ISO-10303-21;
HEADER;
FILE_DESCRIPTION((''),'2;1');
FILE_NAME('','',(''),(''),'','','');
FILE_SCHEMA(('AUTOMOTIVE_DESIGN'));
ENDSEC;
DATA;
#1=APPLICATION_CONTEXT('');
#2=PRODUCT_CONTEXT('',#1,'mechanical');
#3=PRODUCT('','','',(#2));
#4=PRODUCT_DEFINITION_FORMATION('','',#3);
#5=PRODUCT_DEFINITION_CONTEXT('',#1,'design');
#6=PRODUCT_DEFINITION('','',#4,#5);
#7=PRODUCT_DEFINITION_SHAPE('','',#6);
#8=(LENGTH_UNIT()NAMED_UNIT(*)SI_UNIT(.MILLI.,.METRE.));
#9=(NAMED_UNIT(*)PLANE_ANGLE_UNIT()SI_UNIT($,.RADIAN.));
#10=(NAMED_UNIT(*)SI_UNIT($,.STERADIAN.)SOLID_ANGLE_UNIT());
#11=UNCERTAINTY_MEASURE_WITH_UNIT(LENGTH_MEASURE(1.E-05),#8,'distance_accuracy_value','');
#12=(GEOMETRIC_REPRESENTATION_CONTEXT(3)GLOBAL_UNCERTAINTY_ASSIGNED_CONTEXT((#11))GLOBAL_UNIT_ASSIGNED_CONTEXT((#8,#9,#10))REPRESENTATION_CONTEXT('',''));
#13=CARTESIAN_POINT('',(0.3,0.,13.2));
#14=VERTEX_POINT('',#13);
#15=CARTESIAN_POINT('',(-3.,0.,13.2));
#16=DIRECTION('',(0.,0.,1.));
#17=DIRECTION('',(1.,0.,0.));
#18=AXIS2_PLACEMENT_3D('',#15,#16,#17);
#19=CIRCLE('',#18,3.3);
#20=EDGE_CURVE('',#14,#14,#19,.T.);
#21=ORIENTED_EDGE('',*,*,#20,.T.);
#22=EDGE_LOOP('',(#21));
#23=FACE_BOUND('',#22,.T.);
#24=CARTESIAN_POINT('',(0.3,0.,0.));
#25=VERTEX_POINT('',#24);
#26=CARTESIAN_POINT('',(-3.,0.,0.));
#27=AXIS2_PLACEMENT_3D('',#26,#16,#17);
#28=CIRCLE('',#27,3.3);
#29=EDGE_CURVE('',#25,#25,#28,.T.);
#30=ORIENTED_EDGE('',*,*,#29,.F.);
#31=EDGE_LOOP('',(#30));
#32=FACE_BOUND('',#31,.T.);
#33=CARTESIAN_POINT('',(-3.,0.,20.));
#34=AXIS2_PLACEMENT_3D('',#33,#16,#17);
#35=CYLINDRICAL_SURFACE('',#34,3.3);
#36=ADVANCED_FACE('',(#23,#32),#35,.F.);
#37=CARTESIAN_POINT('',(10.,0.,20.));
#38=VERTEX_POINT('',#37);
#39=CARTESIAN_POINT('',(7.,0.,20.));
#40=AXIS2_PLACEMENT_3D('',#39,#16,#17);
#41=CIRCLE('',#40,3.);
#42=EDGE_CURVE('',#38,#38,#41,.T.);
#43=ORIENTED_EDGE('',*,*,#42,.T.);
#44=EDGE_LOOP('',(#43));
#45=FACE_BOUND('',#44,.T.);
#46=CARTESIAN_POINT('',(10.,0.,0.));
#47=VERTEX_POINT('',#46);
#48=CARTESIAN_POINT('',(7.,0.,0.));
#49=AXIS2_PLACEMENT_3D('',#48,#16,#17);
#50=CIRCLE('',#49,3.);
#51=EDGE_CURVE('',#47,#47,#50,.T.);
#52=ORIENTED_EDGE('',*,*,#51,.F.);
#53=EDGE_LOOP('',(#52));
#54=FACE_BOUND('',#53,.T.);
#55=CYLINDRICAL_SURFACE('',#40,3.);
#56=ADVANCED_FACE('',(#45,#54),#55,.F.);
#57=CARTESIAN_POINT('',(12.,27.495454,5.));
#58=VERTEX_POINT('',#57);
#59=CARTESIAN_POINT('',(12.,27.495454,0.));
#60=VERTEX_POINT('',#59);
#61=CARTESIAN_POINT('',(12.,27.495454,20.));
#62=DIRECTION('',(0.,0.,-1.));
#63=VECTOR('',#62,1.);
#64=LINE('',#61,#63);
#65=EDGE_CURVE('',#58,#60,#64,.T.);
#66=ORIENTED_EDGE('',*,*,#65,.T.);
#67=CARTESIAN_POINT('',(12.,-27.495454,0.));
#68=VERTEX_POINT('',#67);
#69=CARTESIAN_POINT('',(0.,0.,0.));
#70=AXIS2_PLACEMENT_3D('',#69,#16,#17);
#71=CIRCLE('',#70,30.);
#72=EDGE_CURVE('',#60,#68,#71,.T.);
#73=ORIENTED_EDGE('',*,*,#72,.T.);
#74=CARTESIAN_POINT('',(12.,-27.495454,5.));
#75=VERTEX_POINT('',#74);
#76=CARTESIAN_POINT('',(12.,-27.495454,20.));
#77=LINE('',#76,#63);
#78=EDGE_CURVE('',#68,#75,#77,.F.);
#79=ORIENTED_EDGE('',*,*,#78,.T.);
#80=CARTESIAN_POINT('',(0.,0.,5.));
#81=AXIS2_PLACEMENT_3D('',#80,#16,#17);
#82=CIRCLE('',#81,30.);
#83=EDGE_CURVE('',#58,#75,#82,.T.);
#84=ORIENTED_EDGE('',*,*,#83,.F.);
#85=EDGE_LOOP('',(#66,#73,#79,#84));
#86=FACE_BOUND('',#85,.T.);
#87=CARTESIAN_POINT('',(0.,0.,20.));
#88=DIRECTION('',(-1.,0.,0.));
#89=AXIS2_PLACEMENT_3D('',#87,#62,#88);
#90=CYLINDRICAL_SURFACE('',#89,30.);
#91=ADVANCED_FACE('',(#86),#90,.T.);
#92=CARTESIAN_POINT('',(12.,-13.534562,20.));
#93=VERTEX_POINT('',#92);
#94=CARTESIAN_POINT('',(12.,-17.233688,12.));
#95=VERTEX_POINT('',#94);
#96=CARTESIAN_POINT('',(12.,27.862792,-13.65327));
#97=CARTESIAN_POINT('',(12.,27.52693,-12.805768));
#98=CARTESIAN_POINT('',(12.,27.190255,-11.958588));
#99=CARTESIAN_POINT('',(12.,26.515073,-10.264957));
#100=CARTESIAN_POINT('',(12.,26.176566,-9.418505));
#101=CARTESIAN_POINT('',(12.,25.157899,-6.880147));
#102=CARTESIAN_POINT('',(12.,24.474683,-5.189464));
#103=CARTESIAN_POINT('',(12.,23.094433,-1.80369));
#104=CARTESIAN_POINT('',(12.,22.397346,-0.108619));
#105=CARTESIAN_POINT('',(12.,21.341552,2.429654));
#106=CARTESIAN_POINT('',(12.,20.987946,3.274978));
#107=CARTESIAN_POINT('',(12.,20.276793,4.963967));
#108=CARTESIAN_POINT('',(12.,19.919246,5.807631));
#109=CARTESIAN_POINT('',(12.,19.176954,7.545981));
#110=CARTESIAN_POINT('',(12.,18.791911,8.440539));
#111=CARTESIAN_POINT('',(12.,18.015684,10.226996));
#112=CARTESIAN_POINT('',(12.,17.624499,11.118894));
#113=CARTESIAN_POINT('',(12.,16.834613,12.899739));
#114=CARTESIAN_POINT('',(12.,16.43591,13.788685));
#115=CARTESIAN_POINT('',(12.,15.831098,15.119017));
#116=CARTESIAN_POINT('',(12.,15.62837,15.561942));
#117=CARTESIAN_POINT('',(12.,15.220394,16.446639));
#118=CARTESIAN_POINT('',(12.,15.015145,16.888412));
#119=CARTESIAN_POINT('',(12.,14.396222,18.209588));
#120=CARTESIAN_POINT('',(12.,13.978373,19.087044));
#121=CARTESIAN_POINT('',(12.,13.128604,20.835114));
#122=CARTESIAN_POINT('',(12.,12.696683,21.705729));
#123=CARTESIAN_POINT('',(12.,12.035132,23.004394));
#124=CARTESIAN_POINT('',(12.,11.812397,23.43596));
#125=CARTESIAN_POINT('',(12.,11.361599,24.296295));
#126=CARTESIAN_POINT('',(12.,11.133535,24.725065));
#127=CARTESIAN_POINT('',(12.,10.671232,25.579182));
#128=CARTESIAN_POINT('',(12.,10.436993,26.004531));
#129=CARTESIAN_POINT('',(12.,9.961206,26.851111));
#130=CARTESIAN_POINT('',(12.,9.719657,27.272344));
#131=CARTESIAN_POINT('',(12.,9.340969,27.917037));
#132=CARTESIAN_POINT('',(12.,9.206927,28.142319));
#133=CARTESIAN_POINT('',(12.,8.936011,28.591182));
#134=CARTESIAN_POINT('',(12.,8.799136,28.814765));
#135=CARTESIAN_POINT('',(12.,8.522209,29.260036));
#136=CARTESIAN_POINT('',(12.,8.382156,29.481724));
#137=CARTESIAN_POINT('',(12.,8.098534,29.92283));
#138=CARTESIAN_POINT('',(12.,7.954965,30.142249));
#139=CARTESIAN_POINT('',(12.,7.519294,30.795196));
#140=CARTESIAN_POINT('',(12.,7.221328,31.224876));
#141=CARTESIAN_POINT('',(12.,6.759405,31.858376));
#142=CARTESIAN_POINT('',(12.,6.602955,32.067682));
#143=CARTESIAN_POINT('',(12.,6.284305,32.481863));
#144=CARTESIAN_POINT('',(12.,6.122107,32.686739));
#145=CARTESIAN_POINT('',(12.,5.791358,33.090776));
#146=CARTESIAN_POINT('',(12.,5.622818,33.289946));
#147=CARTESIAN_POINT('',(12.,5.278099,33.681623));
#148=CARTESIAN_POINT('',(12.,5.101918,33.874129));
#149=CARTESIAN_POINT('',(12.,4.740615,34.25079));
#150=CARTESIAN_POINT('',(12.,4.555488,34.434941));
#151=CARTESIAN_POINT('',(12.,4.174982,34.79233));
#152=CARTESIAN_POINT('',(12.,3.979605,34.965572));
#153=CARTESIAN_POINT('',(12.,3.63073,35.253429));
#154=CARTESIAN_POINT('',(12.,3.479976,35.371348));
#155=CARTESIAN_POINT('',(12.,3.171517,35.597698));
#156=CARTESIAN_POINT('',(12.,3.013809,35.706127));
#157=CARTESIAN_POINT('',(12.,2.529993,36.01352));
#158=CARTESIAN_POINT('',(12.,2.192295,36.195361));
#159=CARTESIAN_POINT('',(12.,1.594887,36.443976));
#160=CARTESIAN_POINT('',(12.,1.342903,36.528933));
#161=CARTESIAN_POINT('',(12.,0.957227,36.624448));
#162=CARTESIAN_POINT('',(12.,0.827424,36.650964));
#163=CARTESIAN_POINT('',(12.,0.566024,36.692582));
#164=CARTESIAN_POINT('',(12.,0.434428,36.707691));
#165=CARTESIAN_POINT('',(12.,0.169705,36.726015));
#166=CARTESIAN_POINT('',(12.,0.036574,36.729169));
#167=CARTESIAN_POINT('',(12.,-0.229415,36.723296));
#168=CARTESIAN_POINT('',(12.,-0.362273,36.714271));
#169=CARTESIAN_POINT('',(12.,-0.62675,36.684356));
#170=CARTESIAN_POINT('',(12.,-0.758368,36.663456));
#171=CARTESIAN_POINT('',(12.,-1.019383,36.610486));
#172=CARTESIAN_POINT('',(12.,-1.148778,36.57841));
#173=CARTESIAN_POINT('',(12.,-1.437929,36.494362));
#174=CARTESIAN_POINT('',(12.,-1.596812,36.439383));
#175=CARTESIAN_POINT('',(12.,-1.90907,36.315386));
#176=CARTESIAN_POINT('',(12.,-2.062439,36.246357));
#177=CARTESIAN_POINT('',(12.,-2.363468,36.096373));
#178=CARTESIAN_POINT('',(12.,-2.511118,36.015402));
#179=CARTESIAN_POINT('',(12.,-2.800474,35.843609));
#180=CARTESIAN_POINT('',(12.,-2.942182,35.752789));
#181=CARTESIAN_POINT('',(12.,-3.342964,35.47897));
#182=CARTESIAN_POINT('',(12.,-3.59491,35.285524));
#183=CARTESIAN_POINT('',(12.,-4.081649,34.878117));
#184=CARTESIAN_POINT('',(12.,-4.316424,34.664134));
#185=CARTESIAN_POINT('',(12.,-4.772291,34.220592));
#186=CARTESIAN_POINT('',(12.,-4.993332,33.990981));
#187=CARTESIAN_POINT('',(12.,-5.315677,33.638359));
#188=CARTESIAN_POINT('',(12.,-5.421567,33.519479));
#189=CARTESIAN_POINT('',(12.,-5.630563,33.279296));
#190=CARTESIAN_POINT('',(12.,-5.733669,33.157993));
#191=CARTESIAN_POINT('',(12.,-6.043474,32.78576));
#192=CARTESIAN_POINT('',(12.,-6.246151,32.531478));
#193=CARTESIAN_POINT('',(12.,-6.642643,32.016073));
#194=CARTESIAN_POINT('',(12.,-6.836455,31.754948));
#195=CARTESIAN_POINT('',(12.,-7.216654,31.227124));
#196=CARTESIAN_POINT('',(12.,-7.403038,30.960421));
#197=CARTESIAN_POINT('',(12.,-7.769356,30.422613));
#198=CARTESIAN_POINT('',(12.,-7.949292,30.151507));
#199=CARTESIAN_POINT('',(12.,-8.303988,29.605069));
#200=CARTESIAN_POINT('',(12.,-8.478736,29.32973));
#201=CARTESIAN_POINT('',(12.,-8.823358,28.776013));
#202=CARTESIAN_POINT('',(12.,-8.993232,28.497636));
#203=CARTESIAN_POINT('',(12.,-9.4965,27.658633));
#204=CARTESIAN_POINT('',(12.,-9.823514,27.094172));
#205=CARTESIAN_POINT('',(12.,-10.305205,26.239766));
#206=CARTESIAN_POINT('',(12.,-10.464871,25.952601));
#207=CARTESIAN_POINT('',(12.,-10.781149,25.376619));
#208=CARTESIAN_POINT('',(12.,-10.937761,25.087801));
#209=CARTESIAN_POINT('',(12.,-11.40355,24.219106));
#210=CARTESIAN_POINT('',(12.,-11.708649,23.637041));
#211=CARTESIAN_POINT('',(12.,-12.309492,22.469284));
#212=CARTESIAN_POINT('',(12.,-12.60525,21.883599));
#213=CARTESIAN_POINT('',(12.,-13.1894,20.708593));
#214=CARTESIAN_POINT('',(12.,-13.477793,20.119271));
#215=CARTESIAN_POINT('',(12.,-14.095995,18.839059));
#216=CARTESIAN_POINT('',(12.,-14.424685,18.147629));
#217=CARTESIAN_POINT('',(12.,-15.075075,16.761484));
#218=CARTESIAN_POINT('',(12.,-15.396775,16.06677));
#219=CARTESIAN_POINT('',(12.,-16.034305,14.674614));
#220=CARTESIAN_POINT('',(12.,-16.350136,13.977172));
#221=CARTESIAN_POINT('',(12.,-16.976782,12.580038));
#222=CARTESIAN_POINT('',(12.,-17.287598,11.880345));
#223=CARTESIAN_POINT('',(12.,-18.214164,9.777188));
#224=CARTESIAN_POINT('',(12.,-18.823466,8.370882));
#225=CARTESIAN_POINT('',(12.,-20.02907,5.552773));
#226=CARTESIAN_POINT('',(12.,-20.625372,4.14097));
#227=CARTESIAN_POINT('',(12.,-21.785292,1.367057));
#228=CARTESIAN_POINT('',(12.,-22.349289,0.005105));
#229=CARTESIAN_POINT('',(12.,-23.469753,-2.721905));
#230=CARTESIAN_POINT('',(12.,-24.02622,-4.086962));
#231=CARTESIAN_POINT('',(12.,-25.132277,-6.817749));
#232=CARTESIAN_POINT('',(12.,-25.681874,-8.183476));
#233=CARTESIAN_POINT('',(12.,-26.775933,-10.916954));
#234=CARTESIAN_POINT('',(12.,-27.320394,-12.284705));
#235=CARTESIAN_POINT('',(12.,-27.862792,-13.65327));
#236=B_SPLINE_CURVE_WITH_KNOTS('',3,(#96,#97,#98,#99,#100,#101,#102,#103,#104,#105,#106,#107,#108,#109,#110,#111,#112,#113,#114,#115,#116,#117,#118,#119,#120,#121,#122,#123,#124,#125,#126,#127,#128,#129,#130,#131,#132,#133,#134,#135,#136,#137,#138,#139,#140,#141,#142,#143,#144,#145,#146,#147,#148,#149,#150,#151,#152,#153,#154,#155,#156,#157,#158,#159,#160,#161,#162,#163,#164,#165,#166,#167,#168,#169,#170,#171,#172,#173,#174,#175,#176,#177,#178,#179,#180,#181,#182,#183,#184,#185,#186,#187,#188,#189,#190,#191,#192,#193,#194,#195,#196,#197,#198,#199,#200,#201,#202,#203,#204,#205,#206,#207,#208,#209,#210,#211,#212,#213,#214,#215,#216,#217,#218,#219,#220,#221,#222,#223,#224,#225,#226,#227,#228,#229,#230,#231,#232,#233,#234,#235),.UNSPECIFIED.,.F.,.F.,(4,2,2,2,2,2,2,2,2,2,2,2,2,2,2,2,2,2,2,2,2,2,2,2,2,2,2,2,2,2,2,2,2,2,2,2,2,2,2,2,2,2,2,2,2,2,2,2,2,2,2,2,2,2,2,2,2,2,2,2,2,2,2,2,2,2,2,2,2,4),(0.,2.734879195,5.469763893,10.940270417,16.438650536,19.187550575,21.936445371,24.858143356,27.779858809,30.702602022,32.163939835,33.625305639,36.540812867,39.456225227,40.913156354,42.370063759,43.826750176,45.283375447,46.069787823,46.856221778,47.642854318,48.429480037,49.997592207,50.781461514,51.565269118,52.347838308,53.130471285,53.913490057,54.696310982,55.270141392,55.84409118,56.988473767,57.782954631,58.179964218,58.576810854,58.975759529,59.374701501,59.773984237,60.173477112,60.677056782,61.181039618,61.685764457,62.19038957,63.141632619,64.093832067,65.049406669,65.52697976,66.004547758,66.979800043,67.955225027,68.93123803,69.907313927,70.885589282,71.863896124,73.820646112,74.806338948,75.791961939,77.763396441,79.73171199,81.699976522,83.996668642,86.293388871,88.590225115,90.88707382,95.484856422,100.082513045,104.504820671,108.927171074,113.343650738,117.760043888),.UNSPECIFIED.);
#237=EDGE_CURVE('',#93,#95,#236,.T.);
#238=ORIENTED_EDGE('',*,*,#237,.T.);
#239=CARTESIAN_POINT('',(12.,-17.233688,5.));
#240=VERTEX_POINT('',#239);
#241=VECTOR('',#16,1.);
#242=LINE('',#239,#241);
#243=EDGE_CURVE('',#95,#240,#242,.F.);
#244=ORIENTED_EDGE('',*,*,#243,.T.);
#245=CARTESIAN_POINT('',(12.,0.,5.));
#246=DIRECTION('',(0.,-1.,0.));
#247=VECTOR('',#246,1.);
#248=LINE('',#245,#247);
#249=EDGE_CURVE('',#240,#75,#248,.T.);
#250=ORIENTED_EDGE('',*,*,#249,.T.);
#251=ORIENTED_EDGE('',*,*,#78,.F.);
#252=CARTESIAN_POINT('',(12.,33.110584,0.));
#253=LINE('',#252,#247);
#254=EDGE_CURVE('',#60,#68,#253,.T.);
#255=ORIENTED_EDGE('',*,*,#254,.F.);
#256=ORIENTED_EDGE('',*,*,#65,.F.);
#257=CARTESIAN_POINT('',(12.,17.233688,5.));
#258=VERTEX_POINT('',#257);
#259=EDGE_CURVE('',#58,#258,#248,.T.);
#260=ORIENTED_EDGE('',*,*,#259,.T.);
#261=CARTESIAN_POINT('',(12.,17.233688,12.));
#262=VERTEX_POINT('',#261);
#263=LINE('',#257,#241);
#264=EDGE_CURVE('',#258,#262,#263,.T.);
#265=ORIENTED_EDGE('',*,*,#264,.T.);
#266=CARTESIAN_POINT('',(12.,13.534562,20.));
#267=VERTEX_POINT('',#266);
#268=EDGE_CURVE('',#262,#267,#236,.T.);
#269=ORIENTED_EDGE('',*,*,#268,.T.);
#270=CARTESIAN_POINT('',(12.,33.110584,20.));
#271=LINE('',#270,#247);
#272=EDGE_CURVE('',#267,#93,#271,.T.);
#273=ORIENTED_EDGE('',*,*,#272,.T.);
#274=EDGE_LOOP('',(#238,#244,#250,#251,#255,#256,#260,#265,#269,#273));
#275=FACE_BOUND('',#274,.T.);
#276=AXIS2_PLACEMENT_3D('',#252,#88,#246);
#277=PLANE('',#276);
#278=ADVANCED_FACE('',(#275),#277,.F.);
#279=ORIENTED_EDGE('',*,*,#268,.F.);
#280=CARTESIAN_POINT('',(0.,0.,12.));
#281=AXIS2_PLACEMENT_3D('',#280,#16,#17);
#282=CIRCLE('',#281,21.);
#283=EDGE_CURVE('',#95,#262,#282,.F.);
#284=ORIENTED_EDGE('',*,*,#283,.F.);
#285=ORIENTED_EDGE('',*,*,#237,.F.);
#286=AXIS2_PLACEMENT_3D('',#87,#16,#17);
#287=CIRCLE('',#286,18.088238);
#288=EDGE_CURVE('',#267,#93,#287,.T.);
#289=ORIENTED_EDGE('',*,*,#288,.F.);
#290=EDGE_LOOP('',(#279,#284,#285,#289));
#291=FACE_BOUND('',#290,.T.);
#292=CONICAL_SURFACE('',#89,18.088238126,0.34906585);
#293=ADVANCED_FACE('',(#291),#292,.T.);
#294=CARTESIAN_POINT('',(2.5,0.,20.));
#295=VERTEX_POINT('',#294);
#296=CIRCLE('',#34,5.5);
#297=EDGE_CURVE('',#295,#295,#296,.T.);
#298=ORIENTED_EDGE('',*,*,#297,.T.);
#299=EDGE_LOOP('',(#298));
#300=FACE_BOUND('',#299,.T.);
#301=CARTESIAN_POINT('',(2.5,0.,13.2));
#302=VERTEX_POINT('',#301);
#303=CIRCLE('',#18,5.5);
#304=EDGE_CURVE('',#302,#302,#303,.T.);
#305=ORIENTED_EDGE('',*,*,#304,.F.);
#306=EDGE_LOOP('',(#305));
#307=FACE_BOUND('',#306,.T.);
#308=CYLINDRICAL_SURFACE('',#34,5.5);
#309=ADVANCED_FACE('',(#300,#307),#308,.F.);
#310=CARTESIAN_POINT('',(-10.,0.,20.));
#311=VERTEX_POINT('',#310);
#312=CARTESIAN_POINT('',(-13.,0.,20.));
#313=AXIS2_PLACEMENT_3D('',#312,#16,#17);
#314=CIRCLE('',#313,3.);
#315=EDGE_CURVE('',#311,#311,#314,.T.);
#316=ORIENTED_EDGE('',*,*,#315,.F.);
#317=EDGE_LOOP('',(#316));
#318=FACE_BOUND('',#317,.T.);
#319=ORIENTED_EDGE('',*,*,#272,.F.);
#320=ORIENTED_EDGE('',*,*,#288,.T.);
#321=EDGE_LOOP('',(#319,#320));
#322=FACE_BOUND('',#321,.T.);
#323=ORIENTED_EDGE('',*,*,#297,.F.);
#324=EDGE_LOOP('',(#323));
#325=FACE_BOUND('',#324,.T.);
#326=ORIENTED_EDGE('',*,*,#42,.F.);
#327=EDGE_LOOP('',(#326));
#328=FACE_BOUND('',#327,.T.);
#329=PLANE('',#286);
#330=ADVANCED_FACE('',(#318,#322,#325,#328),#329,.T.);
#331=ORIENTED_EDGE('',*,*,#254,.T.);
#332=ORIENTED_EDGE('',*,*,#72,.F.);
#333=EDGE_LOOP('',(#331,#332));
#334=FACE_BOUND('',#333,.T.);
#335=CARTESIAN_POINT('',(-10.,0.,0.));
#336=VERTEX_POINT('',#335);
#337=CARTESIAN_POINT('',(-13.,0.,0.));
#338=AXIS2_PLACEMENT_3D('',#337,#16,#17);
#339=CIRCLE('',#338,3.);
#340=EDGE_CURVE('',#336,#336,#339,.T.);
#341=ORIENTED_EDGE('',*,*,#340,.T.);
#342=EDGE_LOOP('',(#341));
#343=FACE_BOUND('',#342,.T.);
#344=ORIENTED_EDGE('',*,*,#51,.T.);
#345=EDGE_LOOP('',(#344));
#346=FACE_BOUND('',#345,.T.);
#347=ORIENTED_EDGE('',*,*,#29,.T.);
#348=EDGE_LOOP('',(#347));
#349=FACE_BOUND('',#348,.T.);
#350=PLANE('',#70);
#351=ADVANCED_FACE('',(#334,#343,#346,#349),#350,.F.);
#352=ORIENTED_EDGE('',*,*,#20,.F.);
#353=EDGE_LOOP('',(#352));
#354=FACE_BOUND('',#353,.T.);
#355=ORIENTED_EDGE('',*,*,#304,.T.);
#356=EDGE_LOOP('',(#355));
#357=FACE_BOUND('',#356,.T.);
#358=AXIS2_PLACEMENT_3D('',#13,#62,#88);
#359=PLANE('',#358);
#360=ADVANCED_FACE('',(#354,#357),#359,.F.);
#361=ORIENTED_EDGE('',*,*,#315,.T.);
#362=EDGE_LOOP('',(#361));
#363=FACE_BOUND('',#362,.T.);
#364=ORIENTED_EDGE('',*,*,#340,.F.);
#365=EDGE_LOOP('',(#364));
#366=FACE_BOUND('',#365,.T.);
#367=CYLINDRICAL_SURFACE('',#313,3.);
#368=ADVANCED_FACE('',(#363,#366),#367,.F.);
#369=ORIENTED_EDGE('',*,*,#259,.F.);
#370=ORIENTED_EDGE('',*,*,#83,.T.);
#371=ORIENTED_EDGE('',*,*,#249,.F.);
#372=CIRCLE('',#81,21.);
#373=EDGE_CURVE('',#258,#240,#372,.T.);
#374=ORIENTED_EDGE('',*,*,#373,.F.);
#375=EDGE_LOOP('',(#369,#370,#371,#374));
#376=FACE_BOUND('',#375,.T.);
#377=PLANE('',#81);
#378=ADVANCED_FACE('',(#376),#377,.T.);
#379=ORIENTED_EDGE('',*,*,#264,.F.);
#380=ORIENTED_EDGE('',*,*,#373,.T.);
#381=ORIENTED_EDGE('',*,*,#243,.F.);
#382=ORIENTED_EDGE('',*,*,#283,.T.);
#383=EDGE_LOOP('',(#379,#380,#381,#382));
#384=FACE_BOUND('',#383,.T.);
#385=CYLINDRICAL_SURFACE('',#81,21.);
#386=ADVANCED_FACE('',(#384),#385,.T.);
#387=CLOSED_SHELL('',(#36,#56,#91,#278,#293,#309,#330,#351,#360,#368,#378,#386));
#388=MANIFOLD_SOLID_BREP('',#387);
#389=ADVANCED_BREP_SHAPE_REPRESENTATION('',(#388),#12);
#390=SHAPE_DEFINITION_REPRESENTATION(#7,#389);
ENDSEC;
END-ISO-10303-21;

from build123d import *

# Parameters (mm, degrees)
SKETCH_1_R                = 30
EXTRUDE_1_DEPTH           = 20
MM_1_D                    = 6
MM_1_DEPTH                = 20
MM_1_TIP                  = 1.802581857
HOLE_WIZARD_1_D           = 6.6
HOLE_WIZARD_1_DEPTH       = 20
HOLE_WIZARD_1_CBORE_D     = 11
HOLE_WIZARD_1_CBORE_DEPTH = 6.8
HOLE_WIZARD_1_TIP         = 1.982840043
SKETCH_6_OUTSIDE_W        = 79.436
SKETCH_6_OUTSIDE_H        = 79.436
SKETCH_6_OUTSIDE_R        = 21
CUT_EXTRUDE_1_DEPTH       = 15
CHAMFER_1_SIZE            = 8
CHAMFER_1_SIZE2           = 2.911761874
SKETCH_7_W                = 35.972327204
SKETCH_7_H                = 68.406392716
CUT_EXTRUDE_2_DEPTH       = 47.904157598


with BuildPart() as part:
    # 草图1 → 凸台-拉伸1 (new body)
    with BuildSketch(Plane.XY):
        Circle(SKETCH_1_R)
    extrude(amount=EXTRUDE_1_DEPTH)

    # 大小mm 暗销孔1
    with Locations(Plane.XY.offset(20)):
        with Locations((-13, 0), (7, 0)):
            Hole(MM_1_D / 2, depth=MM_1_DEPTH)
            with Locations((0, 0, -(MM_1_DEPTH + MM_1_TIP / 2))):  # 118° drill point
                Cone(0, MM_1_D / 2, MM_1_TIP, mode=Mode.SUBTRACT)

    # 打孔尺寸(%根据)内六角圆柱头螺钉的类型1
    with Locations(Plane.XY.offset(20)):
        with Locations((-3, 0)):
            CounterBoreHole(HOLE_WIZARD_1_D / 2, HOLE_WIZARD_1_CBORE_D / 2, HOLE_WIZARD_1_CBORE_DEPTH, depth=HOLE_WIZARD_1_DEPTH)
            with Locations((0, 0, -(HOLE_WIZARD_1_DEPTH + HOLE_WIZARD_1_TIP / 2))):  # 118° drill point
                Cone(0, HOLE_WIZARD_1_D / 2, HOLE_WIZARD_1_TIP, mode=Mode.SUBTRACT)

    # 草图6 outside → 切除-拉伸1 (cut)
    with BuildSketch(Plane.XY.offset(20)):
        Rectangle(SKETCH_6_OUTSIDE_W, SKETCH_6_OUTSIDE_H)
        Circle(SKETCH_6_OUTSIDE_R, mode=Mode.SUBTRACT)
    extrude(amount=-CUT_EXTRUDE_1_DEPTH, mode=Mode.SUBTRACT)

    # 倒角1
    chamfer_1_edges = [part.edges().sort_by_distance(p)[0] for p in [
        (-21, 0, 20),
    ]]
    chamfer_1_side = [part.faces().sort_by_distance(p)[0] for p in [
        (-21, 0, 12.5),
    ]]
    chamfer(chamfer_1_edges, length=CHAMFER_1_SIZE, length2=CHAMFER_1_SIZE2, reference=chamfer_1_side[0])

    # 草图7 → 切除-拉伸2 (cut, through all)
    with BuildSketch(Plane.XY.offset(20)):
        with Locations((29.986163602, -1.092611915)):
            Rectangle(SKETCH_7_W, SKETCH_7_H)
    extrude(amount=-CUT_EXTRUDE_2_DEPTH, mode=Mode.SUBTRACT)


solid = part.part
